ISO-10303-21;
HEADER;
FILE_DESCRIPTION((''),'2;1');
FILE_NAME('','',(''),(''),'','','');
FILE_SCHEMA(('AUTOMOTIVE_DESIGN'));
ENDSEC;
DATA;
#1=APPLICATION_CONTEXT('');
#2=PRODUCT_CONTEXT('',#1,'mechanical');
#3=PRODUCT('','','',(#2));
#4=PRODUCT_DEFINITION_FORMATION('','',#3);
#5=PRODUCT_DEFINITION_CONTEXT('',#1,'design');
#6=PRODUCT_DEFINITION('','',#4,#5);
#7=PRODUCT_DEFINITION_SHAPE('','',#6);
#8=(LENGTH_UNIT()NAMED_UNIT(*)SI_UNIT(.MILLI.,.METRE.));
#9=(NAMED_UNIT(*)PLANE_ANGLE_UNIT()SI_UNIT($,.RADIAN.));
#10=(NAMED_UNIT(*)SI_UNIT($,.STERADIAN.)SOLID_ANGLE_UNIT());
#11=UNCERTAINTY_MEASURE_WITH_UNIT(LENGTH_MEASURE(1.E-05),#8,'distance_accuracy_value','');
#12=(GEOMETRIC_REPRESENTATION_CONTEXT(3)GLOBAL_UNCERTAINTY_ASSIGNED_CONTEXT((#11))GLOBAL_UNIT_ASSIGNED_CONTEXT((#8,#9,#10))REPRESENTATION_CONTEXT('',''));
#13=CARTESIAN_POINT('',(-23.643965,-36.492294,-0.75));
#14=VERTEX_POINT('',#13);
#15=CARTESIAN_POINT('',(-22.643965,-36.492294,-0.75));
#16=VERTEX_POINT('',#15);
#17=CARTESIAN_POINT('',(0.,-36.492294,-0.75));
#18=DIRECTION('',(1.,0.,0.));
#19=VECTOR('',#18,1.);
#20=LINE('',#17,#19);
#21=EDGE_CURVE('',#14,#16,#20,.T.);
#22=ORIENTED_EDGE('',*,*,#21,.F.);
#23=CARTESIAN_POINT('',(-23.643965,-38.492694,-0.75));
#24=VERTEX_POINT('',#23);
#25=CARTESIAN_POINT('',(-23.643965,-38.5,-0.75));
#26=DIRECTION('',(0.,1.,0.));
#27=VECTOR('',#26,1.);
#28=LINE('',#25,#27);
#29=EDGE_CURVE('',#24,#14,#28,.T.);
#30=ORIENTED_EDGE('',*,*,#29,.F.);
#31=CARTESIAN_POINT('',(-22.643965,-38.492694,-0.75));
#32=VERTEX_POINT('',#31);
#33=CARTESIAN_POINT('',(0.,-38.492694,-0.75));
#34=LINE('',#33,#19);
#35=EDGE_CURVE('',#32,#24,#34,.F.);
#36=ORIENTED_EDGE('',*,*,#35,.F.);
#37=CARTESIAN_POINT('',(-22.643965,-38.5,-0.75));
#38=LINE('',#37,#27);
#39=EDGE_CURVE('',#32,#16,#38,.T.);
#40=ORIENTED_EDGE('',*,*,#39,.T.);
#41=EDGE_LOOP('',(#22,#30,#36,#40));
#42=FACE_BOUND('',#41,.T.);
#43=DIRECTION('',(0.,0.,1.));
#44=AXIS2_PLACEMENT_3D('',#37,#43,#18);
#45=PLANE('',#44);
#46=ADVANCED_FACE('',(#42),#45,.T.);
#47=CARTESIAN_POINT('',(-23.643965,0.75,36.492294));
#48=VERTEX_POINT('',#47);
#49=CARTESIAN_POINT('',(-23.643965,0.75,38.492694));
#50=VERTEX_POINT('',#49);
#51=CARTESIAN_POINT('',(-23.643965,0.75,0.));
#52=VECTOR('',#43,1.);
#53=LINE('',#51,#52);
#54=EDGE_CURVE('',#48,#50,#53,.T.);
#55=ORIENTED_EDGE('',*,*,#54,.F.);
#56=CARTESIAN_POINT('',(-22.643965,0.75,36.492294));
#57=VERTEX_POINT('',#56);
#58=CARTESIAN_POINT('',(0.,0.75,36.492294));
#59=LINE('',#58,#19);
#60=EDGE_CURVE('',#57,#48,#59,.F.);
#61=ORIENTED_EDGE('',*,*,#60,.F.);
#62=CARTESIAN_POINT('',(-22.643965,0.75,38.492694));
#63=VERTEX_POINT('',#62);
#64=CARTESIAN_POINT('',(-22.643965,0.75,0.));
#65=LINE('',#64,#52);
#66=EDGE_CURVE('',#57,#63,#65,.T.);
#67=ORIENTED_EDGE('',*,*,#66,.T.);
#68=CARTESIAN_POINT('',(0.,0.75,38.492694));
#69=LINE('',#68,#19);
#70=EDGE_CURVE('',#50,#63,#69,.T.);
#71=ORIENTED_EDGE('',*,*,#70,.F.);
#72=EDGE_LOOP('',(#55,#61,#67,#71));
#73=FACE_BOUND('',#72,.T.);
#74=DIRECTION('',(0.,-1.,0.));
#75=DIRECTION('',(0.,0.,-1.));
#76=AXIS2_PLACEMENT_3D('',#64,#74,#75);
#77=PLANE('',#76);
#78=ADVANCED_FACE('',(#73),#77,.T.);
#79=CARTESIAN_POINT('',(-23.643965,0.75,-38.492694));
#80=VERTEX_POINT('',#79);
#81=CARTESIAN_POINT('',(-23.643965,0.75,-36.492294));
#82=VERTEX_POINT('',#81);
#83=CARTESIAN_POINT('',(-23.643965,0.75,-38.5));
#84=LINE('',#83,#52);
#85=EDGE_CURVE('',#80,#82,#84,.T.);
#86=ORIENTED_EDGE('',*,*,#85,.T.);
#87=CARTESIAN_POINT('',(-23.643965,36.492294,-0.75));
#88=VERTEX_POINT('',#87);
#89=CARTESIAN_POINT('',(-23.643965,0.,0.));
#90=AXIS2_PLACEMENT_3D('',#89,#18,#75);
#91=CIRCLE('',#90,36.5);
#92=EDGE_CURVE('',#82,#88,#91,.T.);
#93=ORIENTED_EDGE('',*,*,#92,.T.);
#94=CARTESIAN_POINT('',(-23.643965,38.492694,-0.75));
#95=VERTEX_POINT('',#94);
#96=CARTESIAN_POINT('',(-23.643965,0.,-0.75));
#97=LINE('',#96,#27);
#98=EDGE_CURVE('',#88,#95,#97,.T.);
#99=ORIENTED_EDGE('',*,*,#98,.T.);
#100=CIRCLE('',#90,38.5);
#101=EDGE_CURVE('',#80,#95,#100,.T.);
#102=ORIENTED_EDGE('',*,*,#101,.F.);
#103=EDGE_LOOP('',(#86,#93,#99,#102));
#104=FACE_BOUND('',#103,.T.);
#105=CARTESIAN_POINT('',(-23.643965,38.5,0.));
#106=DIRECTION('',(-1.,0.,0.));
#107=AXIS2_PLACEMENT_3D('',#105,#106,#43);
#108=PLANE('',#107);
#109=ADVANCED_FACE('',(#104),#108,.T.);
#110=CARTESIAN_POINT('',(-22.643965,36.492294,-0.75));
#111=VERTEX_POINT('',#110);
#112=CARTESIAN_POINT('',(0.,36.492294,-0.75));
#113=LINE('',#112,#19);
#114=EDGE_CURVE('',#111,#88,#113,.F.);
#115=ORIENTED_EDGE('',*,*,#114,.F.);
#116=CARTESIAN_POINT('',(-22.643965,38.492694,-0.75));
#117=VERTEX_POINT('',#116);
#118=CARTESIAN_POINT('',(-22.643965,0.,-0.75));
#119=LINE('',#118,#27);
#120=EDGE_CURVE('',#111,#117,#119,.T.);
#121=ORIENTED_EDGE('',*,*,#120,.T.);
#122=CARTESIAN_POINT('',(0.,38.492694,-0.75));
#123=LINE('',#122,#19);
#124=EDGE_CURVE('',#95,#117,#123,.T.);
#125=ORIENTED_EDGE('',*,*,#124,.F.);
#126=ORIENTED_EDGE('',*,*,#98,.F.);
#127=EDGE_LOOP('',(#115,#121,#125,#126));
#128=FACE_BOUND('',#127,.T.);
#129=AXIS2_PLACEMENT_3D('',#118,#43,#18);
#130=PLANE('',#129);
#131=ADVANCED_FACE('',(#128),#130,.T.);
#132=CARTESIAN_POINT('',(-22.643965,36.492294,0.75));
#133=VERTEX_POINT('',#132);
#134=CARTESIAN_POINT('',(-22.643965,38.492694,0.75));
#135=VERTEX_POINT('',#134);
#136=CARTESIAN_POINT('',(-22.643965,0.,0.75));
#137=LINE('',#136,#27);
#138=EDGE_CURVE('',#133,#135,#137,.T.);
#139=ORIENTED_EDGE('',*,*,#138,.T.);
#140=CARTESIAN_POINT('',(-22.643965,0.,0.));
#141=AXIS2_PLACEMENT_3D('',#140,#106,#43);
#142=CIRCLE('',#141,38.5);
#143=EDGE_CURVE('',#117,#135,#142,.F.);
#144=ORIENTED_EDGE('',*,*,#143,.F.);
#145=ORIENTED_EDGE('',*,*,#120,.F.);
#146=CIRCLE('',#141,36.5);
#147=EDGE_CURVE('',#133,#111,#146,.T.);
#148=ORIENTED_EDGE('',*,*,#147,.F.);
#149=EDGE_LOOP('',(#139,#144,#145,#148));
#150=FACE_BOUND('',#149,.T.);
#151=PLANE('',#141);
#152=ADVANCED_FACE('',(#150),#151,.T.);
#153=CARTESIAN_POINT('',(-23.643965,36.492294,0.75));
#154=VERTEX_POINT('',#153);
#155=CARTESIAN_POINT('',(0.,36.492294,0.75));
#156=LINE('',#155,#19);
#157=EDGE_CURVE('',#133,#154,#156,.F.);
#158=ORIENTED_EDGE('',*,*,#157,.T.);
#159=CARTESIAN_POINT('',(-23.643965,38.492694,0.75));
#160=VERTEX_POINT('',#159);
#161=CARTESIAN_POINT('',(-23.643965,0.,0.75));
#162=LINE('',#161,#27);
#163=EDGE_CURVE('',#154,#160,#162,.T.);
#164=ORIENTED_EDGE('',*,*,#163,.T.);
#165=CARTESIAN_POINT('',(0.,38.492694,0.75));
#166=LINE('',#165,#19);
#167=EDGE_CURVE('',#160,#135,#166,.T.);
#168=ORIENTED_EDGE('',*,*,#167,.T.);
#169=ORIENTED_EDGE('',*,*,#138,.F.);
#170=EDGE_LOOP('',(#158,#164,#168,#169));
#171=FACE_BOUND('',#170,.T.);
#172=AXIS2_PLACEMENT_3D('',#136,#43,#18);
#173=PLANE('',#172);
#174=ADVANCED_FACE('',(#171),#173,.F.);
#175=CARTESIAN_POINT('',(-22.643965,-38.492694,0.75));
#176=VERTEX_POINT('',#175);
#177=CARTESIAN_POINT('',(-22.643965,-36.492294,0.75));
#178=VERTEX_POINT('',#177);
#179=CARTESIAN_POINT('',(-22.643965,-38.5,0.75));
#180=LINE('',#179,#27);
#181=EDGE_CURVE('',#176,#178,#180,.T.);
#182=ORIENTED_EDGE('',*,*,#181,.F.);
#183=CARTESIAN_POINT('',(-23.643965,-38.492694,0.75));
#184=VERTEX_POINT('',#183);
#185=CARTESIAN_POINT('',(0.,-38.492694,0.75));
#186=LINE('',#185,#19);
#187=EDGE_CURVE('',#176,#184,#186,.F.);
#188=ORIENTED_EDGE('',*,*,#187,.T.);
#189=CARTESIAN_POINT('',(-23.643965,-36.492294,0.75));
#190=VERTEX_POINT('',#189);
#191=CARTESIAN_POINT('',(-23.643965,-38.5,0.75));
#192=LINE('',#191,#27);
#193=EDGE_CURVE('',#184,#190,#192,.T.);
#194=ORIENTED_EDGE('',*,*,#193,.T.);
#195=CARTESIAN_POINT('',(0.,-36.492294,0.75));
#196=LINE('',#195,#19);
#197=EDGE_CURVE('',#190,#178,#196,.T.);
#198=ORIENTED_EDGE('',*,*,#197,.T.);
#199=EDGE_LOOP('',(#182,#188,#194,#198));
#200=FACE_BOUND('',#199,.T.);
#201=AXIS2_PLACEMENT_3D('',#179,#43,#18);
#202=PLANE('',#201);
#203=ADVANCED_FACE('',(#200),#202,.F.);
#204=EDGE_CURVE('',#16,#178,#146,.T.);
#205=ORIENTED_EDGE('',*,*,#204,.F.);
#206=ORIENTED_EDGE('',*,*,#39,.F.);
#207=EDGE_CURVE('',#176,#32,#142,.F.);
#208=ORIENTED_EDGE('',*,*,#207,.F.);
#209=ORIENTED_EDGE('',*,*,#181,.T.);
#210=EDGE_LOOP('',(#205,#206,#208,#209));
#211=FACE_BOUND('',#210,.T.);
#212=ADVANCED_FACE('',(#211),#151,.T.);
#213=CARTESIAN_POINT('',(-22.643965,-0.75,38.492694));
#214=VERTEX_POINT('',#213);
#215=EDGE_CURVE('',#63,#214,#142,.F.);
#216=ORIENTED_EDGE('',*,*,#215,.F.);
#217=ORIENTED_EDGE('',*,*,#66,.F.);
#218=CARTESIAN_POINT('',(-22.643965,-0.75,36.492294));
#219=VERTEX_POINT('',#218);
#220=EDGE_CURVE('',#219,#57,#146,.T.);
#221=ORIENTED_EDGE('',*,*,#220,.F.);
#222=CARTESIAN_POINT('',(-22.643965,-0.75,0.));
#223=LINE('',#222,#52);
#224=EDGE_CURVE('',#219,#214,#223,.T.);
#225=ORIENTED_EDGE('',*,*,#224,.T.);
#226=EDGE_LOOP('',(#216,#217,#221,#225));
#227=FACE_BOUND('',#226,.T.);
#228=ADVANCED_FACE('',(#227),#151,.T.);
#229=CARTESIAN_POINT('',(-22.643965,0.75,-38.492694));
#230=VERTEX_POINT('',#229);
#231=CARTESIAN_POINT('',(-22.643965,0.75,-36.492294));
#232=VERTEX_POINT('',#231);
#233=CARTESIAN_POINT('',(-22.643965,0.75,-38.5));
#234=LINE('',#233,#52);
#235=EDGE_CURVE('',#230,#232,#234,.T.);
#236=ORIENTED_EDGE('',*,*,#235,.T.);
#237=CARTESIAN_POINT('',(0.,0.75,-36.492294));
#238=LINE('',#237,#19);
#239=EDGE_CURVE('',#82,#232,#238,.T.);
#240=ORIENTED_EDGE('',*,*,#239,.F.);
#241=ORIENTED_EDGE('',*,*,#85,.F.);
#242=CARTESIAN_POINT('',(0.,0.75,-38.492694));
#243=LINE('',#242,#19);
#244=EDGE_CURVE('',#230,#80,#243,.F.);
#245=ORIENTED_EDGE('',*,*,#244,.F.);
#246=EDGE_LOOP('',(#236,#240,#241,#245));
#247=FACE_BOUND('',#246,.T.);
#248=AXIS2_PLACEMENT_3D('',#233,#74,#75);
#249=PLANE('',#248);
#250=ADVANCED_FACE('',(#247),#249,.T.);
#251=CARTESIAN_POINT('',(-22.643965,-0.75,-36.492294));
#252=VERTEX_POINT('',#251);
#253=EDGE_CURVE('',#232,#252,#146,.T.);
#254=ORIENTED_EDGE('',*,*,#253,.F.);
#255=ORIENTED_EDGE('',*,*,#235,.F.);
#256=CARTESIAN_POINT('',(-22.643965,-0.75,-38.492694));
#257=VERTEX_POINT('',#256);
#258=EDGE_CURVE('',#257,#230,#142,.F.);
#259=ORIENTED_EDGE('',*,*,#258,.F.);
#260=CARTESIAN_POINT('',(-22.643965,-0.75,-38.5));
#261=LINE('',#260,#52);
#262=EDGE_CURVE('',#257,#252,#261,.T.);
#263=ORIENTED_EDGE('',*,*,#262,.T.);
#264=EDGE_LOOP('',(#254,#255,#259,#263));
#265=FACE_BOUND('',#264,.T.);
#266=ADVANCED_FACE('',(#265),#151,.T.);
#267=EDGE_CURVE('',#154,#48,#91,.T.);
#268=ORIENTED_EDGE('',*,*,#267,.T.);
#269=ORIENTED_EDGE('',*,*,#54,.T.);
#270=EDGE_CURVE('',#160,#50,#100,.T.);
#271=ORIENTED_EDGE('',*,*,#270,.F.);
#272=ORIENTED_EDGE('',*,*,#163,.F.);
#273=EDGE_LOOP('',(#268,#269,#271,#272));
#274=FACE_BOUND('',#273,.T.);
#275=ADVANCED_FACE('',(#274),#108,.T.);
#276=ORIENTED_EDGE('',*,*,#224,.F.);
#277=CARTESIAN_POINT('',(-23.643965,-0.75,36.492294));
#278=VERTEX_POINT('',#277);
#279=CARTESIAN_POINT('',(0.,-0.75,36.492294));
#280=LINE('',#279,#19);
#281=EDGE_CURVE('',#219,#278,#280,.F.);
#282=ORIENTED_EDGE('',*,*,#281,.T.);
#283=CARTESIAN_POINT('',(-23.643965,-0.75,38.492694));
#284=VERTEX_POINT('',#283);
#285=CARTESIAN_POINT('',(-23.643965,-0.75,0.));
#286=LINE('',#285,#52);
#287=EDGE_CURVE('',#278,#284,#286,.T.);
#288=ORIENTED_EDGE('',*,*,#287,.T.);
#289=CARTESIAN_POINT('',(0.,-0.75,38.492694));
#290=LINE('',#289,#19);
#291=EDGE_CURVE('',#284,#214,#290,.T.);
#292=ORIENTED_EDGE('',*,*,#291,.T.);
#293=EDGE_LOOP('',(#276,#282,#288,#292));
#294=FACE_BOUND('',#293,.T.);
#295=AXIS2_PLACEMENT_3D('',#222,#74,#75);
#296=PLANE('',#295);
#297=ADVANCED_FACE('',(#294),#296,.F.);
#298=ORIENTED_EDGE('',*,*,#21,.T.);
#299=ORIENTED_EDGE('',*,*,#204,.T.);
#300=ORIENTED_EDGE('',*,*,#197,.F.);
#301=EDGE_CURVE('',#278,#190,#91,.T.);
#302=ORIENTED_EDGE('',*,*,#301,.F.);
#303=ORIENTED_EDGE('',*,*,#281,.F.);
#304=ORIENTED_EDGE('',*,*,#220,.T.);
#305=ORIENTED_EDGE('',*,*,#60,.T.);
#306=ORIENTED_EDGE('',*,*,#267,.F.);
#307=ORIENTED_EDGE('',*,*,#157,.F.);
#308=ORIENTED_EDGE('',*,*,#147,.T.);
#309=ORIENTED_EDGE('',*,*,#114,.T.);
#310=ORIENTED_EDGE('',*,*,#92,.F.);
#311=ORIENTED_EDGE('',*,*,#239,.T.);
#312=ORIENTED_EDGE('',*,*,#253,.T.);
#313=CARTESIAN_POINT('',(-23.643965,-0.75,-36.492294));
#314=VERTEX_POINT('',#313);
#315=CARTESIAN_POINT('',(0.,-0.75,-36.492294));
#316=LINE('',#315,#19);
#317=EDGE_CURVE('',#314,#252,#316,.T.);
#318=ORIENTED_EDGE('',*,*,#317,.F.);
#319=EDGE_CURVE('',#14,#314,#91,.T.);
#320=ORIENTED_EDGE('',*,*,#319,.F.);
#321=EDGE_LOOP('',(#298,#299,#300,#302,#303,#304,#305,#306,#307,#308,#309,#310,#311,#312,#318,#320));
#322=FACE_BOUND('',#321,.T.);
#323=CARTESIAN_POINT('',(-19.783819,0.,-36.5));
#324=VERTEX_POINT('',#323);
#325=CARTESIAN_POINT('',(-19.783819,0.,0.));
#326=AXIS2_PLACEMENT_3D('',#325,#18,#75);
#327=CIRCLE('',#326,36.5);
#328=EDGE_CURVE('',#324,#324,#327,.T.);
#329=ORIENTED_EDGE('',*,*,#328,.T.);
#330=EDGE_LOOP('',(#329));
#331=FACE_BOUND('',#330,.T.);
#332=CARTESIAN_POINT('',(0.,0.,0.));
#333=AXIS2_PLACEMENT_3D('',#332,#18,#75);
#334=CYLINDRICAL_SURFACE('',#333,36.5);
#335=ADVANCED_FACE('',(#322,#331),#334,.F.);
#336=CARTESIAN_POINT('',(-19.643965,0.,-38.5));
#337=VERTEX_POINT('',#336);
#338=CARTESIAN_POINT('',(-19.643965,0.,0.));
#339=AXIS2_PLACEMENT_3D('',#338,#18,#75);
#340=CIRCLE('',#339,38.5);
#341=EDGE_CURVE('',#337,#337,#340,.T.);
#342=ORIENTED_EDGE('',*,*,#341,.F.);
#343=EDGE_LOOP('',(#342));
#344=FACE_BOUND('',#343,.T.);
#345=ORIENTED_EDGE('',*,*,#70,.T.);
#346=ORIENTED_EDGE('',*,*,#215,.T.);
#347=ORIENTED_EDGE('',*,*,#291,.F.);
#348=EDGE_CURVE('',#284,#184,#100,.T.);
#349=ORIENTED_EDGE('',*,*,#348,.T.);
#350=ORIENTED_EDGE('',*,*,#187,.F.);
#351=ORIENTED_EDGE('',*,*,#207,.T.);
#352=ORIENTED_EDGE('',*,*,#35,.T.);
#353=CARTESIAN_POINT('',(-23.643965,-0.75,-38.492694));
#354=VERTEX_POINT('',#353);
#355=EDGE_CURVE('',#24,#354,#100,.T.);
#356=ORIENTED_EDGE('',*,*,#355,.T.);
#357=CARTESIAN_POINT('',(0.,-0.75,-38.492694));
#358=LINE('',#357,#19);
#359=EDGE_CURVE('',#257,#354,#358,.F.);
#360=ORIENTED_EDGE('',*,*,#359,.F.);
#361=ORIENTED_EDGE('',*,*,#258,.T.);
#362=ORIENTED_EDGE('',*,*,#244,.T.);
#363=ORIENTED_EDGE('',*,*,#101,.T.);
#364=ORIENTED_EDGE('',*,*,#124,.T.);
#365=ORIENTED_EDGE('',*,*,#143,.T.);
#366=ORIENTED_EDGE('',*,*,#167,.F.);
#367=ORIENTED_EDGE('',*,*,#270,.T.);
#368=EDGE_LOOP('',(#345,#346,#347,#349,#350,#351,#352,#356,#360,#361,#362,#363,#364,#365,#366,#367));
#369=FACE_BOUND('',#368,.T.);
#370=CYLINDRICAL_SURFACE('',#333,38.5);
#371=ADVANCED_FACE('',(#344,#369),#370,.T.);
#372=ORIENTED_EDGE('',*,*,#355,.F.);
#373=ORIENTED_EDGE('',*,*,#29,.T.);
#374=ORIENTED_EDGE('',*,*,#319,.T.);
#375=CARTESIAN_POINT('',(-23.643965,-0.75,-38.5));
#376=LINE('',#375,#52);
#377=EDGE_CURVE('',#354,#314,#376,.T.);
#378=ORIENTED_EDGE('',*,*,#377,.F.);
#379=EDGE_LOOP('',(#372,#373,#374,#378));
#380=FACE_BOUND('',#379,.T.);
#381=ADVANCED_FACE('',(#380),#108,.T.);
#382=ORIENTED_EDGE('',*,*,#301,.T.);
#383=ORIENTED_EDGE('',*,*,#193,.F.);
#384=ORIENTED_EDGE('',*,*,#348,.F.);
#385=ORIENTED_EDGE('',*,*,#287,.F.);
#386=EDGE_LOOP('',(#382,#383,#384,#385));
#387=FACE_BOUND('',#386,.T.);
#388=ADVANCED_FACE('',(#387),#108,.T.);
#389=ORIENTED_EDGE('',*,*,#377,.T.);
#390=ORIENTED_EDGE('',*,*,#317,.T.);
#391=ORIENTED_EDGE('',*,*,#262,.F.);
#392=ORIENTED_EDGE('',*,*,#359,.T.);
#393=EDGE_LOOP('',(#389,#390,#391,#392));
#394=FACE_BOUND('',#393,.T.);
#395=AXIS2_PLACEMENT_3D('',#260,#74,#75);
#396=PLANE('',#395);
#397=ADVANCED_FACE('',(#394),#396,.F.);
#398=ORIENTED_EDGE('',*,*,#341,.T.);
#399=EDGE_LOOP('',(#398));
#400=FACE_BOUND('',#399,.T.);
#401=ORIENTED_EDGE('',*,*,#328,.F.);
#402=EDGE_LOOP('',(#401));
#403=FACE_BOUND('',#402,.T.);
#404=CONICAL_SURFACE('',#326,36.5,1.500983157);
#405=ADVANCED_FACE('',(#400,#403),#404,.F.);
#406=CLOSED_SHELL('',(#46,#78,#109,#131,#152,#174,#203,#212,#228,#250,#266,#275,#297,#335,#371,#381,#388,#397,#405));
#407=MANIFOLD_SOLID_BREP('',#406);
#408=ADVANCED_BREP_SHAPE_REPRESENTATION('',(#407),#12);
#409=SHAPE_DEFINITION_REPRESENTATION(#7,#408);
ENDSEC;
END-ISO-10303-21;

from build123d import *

# Parameters (mm, degrees)
SKICA2_W                 = 1.5
SKICA2_H                 = 77
SKICA2_W_2               = 77
SKICA2_H_2               = 1.5
ODEBRAT_VYSUNUT_M1_DEPTH = 1


with BuildPart() as part:
    # Skica1 → Rotovat1 (revolve)
    with BuildSketch(Plane.XY):
        Polygon((-23.64396546, 38.5), (-23.64396546, 36.5), (-19.783819083, 36.5), (-19.64396546, 38.5), align=None)
    revolve(axis=Axis((0, 0, 0), (-1, 0, 0)))

    # Skica2 → Odebrat vysunutím1 (cut)
    with BuildSketch(Plane.ZY.offset(23.64396546)):
        Rectangle(SKICA2_W, SKICA2_H)
        Rectangle(SKICA2_W_2, SKICA2_H_2)
    extrude(amount=-ODEBRAT_VYSUNUT_M1_DEPTH, mode=Mode.SUBTRACT)


solid = part.part
